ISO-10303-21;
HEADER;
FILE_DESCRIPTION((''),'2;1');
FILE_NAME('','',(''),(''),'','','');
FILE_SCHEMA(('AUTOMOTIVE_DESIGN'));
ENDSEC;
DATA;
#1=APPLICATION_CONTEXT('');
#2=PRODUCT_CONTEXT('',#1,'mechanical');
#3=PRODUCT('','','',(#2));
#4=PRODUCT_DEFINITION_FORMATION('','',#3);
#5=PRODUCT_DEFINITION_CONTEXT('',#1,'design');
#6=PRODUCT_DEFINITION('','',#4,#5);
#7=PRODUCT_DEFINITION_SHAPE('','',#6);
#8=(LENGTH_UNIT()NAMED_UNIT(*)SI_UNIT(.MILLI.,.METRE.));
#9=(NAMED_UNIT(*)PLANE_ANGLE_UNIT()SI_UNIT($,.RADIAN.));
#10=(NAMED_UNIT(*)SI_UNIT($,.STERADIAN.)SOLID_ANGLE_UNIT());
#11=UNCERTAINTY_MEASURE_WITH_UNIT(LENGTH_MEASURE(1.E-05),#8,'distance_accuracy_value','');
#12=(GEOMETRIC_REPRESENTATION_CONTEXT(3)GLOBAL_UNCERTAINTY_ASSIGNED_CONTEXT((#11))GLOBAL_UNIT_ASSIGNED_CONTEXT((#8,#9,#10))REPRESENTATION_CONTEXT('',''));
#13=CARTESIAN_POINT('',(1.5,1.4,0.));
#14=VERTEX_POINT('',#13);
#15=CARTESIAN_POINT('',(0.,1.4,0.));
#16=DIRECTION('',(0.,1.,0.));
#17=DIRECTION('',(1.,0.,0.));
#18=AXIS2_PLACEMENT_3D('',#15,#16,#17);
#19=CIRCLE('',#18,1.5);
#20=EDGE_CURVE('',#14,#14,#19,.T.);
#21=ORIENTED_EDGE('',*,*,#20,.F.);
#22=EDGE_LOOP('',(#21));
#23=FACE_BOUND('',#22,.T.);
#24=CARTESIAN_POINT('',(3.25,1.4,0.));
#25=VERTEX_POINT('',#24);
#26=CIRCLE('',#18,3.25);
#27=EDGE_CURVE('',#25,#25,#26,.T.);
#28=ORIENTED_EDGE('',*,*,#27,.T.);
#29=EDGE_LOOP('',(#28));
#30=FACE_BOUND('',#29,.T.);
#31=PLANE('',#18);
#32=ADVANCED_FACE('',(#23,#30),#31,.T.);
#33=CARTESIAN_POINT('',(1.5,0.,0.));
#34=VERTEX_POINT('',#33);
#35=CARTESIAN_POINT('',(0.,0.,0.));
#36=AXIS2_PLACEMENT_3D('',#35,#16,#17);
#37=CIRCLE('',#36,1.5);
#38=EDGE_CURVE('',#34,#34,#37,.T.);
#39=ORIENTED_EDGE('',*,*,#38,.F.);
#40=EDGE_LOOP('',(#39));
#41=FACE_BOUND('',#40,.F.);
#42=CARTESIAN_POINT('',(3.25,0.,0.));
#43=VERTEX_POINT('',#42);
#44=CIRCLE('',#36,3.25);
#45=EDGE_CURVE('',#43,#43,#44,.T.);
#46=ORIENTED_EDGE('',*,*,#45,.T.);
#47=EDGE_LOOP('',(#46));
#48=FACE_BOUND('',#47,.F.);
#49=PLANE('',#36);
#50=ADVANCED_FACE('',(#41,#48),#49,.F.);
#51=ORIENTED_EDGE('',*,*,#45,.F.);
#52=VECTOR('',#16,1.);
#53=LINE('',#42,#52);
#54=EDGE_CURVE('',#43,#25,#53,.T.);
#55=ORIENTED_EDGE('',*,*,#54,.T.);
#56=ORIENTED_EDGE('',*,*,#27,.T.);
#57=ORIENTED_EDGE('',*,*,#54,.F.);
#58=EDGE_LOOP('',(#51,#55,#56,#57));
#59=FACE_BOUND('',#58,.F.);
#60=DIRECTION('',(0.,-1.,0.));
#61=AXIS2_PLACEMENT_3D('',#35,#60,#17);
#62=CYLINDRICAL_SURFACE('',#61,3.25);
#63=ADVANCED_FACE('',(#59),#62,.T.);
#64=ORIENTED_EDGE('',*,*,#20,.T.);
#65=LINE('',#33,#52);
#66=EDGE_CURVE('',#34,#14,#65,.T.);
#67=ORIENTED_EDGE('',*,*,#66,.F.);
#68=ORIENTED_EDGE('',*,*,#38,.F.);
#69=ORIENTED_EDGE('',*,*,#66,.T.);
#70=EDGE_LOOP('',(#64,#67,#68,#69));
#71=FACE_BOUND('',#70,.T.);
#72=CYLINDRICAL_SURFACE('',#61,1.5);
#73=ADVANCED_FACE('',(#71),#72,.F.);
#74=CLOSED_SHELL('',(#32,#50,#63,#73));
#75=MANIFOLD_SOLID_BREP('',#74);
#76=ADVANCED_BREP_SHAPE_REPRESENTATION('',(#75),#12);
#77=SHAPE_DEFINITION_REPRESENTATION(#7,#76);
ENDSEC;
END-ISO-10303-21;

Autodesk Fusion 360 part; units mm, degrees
sketch "Sketch1" plane through (0, 0, 0) normal (0, 1, 0) x (1, 0, 0)
  circle A0 centre (0, 0) radius 3.25
  circle A1 centre (0, 0) radius 1.5
  dimension "d1" = 6.5
  dimension "d2" = 3
extrude "Extrude1" add sketch "Sketch1" along normal blind 1.4
